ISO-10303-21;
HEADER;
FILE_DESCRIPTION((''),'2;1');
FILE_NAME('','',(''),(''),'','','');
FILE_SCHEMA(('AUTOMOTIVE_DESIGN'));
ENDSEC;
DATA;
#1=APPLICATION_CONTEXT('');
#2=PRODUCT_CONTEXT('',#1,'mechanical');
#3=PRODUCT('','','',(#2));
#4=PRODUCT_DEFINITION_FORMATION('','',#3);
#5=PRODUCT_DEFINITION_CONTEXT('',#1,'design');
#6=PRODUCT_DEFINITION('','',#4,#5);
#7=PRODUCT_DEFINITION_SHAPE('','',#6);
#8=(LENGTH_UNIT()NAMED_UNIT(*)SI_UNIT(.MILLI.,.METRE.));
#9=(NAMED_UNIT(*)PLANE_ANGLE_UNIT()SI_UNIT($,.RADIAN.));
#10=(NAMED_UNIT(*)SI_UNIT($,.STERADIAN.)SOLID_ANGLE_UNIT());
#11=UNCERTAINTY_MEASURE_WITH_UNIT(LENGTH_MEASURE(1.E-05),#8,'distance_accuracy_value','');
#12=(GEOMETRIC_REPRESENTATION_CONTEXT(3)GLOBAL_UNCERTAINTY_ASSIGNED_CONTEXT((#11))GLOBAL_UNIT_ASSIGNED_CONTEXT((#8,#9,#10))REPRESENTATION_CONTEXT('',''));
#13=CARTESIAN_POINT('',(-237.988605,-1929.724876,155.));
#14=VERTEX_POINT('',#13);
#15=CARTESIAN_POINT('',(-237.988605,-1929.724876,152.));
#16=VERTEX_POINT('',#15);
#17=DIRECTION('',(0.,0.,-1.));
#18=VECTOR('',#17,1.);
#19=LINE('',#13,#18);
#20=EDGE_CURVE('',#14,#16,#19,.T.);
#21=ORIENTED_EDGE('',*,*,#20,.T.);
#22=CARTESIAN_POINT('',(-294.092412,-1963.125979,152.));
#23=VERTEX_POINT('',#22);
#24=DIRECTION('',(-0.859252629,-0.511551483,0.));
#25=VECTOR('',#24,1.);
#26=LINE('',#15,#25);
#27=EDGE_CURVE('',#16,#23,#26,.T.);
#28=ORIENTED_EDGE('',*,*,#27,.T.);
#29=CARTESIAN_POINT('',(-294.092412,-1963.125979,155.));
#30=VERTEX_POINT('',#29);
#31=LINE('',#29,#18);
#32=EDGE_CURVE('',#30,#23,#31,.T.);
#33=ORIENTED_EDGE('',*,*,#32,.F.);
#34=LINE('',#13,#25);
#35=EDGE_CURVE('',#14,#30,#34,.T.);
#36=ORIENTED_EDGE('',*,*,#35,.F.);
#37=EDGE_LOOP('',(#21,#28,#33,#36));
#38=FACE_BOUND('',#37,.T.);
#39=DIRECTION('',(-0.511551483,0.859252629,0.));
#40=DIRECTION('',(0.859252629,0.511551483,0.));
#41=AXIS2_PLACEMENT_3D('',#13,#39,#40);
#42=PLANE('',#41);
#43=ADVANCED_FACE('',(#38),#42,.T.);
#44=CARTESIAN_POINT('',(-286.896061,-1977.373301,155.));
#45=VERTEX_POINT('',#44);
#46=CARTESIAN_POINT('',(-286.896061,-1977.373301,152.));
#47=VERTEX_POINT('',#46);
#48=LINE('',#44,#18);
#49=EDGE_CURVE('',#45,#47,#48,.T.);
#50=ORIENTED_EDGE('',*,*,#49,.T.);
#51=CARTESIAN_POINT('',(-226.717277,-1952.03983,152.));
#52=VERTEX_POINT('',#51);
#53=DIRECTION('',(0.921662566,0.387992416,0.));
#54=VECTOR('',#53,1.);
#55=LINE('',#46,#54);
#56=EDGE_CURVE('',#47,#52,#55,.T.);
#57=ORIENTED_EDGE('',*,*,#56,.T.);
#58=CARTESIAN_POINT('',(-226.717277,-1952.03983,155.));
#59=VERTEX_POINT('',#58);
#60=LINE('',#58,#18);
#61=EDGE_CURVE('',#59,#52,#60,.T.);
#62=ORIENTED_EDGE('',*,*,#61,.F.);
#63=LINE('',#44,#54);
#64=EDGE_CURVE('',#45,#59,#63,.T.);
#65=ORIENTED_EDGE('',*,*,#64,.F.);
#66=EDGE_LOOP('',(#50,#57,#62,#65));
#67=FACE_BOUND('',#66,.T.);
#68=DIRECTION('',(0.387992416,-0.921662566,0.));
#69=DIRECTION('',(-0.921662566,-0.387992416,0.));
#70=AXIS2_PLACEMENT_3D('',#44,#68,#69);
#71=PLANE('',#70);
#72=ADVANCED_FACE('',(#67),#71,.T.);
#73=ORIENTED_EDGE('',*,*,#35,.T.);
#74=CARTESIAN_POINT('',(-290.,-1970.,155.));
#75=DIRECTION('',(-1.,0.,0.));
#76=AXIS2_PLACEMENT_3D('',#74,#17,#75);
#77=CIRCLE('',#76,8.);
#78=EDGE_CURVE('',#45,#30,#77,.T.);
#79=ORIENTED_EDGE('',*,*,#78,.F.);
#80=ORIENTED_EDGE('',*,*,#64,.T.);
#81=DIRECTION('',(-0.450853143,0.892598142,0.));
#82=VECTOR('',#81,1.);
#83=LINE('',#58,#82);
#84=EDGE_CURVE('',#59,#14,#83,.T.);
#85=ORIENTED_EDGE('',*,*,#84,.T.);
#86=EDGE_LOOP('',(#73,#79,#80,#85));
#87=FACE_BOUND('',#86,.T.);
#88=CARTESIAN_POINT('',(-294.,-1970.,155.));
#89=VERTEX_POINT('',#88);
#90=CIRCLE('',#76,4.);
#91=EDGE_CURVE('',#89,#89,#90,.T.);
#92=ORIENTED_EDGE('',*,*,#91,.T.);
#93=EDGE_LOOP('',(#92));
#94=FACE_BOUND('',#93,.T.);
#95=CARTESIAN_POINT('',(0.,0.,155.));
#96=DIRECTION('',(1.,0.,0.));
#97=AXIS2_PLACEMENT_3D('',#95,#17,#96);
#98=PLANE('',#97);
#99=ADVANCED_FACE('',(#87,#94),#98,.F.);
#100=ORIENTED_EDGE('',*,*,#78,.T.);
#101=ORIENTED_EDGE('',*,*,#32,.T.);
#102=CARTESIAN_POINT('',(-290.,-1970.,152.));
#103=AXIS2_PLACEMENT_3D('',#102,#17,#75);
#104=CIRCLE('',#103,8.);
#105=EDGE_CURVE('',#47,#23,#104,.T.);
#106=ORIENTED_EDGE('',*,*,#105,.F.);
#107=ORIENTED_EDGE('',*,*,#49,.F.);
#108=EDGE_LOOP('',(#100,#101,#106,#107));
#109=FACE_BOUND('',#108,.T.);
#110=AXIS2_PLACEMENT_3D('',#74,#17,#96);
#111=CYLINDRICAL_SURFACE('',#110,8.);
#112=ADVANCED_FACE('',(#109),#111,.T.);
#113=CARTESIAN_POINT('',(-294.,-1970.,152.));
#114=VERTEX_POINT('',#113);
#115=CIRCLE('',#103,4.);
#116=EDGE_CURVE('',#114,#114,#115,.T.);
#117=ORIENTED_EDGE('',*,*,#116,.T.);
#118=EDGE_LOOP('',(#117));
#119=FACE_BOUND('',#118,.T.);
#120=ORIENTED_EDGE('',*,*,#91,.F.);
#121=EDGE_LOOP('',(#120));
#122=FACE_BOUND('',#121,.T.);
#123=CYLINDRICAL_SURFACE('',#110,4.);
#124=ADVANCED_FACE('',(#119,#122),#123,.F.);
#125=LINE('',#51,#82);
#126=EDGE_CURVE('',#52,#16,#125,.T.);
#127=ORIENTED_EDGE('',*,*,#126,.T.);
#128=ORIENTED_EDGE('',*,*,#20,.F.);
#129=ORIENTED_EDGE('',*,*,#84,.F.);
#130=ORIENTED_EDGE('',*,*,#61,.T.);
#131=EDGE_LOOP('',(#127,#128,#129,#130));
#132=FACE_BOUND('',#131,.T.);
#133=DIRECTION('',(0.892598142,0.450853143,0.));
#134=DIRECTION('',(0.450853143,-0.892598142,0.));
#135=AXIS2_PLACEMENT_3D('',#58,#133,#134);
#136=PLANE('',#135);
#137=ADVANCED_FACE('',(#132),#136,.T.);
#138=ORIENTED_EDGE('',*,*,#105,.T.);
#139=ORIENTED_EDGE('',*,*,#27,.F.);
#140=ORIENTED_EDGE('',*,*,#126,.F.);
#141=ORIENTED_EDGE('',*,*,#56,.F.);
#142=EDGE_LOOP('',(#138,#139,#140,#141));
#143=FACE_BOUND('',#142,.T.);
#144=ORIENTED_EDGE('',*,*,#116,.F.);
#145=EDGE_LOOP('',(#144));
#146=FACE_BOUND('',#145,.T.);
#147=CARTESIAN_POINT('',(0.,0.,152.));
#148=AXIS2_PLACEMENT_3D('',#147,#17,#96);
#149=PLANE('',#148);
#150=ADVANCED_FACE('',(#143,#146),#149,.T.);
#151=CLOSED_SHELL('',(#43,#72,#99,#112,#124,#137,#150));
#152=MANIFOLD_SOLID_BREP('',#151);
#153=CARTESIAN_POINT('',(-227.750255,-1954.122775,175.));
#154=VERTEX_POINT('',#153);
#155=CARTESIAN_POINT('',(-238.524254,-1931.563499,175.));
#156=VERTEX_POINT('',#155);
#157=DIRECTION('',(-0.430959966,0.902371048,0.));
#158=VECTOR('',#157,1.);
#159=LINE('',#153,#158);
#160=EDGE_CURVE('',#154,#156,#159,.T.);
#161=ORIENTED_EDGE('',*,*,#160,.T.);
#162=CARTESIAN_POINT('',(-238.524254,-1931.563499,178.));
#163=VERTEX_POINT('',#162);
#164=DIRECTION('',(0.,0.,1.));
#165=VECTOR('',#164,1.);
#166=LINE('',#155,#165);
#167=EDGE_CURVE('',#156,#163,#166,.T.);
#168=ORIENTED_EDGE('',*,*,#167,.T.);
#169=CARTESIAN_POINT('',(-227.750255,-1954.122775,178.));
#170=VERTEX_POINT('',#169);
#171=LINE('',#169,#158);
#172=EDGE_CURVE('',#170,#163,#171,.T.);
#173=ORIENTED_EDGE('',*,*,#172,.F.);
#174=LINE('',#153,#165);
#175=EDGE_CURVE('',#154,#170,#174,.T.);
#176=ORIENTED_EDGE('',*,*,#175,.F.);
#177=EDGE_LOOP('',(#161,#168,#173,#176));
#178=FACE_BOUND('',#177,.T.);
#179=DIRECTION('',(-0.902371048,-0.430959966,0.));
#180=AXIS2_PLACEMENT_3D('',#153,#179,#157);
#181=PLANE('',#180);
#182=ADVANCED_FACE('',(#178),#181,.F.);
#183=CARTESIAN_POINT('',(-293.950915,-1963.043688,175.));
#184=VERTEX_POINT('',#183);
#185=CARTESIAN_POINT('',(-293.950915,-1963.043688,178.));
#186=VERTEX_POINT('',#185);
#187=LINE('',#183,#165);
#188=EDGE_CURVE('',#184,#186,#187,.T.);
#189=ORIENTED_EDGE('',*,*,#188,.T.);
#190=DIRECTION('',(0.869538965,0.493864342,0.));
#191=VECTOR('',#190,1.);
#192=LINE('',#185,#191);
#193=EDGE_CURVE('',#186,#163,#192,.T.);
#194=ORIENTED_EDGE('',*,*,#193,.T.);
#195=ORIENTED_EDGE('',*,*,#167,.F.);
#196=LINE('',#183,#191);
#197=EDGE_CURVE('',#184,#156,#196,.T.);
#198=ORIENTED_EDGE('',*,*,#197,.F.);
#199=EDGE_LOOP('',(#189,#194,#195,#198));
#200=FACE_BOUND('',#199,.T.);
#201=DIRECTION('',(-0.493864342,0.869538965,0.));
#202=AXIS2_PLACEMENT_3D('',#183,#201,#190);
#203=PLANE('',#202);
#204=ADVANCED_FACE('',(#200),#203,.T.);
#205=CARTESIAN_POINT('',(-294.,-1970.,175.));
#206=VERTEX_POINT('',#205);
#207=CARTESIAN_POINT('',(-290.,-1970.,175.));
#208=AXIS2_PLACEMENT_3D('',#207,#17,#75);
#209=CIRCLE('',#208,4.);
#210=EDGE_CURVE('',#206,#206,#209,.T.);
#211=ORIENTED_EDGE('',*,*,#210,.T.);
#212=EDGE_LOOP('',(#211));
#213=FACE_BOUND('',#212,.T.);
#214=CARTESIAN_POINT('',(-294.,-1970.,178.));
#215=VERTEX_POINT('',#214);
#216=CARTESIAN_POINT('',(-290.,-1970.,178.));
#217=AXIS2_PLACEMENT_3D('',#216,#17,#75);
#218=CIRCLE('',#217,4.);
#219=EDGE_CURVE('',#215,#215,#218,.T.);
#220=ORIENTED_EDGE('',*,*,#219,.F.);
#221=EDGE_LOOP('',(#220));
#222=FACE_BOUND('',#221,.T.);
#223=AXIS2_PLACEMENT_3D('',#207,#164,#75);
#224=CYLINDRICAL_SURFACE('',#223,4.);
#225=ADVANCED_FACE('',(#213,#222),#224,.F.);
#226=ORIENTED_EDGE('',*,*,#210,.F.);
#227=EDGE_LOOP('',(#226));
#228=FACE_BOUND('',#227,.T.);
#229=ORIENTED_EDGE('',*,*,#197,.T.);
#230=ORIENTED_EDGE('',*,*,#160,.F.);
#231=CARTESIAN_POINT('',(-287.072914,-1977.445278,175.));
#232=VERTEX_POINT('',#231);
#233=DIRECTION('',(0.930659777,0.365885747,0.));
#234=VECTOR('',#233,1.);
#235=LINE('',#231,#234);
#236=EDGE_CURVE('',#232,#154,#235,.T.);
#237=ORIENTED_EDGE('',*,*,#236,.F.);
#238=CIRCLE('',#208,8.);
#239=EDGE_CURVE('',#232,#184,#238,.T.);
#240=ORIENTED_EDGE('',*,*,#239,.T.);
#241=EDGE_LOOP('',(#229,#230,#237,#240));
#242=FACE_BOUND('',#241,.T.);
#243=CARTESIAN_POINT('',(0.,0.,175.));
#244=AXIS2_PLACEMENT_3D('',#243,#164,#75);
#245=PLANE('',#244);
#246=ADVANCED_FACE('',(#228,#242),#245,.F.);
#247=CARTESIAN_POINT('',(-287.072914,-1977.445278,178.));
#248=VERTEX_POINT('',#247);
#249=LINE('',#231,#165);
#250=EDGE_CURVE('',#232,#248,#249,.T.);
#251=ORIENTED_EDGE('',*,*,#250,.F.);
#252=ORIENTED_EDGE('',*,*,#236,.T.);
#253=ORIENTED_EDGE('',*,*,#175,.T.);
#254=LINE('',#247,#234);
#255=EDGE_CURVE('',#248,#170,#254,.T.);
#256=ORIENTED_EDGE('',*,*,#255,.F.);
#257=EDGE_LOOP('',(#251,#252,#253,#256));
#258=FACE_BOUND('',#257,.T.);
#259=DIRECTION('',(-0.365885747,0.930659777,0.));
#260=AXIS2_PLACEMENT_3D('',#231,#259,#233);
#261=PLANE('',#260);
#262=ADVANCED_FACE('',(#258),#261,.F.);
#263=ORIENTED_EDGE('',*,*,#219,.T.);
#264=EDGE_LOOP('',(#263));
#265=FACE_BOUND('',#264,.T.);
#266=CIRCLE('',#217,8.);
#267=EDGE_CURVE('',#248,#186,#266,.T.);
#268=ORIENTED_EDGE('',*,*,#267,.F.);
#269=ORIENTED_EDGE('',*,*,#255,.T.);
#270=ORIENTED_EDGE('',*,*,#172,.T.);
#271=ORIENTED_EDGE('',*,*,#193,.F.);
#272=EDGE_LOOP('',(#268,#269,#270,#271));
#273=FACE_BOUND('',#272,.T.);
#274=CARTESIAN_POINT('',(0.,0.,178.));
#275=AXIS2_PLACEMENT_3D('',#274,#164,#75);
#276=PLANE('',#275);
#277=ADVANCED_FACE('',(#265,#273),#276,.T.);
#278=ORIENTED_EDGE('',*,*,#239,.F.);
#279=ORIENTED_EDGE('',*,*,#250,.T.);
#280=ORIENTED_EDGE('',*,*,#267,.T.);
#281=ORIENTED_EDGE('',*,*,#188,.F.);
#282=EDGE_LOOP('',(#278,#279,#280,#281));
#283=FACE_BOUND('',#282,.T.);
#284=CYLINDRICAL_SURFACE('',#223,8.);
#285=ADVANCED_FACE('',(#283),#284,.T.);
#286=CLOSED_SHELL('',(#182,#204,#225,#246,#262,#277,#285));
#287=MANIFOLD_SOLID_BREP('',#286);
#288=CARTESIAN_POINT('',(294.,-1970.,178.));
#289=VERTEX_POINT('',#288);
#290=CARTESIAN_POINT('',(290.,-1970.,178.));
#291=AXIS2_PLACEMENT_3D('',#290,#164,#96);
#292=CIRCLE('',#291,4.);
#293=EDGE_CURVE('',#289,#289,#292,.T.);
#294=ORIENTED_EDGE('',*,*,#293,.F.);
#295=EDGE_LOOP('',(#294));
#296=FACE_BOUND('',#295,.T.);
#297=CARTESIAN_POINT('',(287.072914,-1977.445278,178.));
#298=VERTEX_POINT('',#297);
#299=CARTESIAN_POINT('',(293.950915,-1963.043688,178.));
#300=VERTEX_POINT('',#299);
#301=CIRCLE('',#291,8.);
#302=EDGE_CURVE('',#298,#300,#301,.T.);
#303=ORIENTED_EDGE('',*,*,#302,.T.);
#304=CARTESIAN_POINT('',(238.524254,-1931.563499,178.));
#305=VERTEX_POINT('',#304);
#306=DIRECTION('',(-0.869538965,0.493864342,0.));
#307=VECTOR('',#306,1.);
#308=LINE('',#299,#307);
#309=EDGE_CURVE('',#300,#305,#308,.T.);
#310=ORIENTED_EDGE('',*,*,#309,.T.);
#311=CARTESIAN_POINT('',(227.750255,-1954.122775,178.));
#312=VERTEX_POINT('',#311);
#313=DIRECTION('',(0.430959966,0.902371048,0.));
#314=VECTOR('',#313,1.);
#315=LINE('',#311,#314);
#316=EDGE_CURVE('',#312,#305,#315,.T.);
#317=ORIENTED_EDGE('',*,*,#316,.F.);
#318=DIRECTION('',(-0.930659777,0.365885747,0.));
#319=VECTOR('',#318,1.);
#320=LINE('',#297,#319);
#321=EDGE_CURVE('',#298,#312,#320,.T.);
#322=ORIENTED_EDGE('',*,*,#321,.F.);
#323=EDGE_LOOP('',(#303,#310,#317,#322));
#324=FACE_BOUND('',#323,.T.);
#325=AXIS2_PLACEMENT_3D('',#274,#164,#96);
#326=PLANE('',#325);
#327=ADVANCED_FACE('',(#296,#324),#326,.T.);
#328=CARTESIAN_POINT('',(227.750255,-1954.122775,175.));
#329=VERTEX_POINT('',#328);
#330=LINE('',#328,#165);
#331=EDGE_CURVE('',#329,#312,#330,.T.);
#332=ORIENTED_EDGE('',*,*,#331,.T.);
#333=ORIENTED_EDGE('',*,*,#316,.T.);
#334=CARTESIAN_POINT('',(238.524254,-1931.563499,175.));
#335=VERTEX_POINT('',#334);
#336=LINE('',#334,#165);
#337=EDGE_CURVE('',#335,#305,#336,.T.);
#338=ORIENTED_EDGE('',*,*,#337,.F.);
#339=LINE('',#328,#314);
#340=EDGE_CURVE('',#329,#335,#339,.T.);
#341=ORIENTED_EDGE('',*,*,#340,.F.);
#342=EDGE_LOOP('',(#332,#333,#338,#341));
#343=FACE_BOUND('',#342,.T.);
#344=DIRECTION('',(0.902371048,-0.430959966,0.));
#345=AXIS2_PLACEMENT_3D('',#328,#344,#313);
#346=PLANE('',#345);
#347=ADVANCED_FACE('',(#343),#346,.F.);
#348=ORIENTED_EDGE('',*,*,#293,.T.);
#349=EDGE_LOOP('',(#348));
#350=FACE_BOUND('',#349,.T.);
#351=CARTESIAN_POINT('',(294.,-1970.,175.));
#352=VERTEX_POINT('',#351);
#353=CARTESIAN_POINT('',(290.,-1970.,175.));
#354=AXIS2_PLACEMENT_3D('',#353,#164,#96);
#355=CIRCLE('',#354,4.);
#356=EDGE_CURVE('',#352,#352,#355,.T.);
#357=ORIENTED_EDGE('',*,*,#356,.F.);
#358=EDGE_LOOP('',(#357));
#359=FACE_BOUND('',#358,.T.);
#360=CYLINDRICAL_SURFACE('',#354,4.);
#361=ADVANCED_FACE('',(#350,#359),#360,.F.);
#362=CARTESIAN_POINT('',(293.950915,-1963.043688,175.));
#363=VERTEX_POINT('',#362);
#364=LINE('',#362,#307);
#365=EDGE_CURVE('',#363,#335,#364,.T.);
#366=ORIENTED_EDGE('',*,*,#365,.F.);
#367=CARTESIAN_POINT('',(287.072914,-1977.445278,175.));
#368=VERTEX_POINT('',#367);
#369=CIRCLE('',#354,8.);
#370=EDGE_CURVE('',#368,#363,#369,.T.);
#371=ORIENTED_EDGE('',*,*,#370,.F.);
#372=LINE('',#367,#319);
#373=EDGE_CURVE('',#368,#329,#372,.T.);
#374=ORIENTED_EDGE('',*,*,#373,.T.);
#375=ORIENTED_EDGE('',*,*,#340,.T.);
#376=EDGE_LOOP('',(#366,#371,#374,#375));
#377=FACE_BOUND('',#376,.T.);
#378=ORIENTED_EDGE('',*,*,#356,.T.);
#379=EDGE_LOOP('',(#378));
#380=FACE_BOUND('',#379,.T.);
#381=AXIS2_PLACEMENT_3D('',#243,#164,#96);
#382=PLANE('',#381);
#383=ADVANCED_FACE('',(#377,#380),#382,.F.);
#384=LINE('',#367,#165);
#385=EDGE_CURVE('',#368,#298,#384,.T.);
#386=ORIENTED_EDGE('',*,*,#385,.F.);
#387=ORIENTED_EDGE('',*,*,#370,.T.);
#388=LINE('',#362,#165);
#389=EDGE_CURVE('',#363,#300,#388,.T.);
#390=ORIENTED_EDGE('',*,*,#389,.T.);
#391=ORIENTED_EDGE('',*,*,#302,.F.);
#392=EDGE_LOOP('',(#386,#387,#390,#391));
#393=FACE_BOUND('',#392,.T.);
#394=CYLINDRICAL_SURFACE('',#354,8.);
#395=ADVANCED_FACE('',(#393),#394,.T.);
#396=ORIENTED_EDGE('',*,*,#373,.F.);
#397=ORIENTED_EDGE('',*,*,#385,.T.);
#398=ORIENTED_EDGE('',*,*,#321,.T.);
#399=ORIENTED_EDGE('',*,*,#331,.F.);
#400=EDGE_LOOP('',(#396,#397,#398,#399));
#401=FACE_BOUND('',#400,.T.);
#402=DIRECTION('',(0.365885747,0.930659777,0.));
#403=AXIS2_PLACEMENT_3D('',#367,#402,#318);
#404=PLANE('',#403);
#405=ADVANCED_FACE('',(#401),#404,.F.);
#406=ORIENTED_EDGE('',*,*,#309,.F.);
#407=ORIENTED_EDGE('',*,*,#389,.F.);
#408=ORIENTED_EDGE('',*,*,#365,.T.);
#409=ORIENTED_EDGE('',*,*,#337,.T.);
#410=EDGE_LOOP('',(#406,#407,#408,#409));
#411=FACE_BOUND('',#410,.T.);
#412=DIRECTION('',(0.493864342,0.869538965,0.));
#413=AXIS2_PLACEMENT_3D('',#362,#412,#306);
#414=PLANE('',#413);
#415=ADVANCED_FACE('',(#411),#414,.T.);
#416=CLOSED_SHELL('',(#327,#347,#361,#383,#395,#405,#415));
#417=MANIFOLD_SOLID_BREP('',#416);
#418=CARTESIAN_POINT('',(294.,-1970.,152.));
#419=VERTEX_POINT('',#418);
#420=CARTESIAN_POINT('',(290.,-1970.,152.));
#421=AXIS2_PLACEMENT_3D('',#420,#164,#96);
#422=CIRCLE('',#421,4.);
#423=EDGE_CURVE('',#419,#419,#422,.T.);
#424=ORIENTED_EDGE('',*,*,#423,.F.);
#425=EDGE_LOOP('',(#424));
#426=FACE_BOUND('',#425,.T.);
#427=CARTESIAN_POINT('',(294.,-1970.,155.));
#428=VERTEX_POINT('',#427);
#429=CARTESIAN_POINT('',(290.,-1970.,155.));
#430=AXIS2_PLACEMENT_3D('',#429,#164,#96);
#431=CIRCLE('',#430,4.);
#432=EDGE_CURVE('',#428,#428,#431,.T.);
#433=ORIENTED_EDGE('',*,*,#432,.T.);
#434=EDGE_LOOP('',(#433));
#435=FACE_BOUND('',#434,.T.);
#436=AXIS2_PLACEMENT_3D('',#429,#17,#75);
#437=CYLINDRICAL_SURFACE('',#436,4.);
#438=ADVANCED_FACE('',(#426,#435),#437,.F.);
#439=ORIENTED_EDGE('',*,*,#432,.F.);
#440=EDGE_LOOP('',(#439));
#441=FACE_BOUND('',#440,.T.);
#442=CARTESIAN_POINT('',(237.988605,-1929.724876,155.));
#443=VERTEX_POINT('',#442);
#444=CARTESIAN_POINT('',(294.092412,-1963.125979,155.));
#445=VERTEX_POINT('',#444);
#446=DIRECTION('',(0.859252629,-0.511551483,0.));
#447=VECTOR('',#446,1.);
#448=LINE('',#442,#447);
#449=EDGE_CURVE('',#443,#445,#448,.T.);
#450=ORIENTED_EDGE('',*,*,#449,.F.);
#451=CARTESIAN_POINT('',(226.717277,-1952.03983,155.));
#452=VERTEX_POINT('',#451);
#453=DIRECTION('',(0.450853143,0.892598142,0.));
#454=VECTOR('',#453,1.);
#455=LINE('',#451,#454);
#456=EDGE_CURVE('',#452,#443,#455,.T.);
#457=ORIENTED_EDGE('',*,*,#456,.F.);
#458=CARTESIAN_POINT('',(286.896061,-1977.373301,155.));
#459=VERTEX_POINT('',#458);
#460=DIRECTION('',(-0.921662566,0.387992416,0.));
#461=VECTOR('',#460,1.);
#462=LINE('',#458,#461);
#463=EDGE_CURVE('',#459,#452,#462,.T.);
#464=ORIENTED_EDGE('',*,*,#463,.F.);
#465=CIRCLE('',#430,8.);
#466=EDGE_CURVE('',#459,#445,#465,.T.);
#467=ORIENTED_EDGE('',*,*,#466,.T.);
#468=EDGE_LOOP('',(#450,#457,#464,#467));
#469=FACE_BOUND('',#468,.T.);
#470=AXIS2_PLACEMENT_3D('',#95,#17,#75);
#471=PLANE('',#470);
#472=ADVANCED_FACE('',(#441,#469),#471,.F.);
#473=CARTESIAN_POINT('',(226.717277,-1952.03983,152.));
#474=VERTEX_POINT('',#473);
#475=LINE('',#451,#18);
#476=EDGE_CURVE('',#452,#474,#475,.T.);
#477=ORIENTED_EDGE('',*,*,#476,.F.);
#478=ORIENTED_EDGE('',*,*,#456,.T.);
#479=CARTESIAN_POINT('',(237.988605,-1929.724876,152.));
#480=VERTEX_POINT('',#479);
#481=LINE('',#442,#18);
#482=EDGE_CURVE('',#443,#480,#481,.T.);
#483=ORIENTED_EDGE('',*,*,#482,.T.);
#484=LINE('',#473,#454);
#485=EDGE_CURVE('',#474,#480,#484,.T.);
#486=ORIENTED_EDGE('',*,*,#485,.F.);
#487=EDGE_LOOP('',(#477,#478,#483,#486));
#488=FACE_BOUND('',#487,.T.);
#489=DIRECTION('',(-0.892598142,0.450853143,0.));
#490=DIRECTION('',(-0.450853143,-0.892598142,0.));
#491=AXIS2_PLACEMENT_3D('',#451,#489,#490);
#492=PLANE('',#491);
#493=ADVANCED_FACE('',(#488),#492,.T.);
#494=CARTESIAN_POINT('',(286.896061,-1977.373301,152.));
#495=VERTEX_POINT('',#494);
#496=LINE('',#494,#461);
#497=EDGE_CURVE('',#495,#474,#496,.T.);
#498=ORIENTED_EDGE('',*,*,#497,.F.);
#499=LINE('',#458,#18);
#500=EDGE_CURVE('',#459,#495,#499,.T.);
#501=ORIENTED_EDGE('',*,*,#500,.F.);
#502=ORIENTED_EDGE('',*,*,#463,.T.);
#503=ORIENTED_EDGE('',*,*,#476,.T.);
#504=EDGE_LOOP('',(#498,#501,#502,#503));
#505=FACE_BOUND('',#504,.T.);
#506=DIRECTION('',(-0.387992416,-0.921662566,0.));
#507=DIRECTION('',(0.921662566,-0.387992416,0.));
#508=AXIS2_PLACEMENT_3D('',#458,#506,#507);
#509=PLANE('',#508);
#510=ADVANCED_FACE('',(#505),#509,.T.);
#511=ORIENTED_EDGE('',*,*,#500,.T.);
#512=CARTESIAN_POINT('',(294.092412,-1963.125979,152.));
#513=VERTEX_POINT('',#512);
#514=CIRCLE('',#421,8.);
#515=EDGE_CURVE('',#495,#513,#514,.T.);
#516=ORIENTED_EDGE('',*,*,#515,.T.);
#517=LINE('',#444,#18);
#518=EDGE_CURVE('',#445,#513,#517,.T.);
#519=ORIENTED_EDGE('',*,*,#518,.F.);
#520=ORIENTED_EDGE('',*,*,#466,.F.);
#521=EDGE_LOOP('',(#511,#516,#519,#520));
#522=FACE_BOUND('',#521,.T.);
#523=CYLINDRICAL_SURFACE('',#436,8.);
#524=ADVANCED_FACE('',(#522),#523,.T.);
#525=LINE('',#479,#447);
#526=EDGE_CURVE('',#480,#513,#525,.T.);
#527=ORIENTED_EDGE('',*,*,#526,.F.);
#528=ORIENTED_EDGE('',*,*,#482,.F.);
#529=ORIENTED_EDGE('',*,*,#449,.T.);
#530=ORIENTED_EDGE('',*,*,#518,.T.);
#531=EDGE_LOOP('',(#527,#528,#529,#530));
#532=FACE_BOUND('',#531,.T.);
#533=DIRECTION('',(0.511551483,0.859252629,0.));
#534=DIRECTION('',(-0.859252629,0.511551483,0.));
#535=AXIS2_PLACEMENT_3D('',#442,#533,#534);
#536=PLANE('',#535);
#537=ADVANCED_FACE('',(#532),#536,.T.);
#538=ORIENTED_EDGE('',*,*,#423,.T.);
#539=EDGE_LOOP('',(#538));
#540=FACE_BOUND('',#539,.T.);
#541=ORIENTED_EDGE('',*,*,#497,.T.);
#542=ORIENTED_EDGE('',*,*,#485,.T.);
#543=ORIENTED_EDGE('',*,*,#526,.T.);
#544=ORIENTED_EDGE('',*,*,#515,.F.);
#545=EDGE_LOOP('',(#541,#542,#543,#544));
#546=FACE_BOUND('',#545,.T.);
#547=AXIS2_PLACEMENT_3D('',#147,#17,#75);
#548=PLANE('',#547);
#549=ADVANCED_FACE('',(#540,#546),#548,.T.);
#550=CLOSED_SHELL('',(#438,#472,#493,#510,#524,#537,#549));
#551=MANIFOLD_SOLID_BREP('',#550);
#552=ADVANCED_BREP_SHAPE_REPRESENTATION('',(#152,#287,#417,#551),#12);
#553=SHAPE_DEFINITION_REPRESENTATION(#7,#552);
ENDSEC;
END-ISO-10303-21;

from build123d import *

# Parameters (mm, degrees)
F_3DSKETCH1_R        = 4
BOSS_EXTRUDE_U_DEPTH = 3
BOSS_EXTRUDE_L_START = -3
F_3DSKETCH2_R        = 4
BOSS_EXTRUDE_L_DEPTH = 3


with BuildPart() as part:
    # 3DSketch1 → Boss-Extrude-U (new body)
    with BuildSketch(Plane(origin=(293.950914733, -1963.043688278, 175), x_dir=(-0.9910422724667208, 0.1335485461695409, -2.0318374546162863e-13), z_dir=(0, 0, -1))):
        with BuildLine():
            Line((0, 0), (59.134296826, 23.796048266))
            Line((59.134296826, 23.796048266), (66.799026887, 0))
            Line((66.799026887, 0), (4.893078056, -15.191131412))
            ThreePointArc((4.893078056, -15.191131412), (-4.628217248, -9.874351515), (0, 0))
        make_face()
        with Locations(Location((2.986518198, -7.421637896, 0), (0, 0, 172.32530228))):
            Circle(F_3DSKETCH1_R, mode=Mode.SUBTRACT)
    extrude(amount=-BOSS_EXTRUDE_U_DEPTH)


with BuildPart() as body_2:
    # 3DSketch2 → Boss-Extrude-L (new body)
    with BuildSketch(Plane(origin=(286.896060673, -1977.373300526, 155), x_dir=(-0.7162661408080038, 0.6978272103694504, 1.6259589829986966e-15), z_dir=(0, 0, 1)).offset(BOSS_EXTRUDE_L_START)):
        with BuildLine():
            Line((0, 0), (60.782410485, 23.848885443))
            Line((60.782410485, 23.848885443), (68.281121248, 0))
            Line((68.281121248, 0), (4.787665959, -15.226683706))
            ThreePointArc((4.787665959, -15.226683706), (-4.709600247, -9.846846279), (0, 0))
        make_face()
        with Locations(Location((2.922043094, -7.447258835, 0), (0, 0, 224.252939686))):
            Circle(F_3DSKETCH2_R, mode=Mode.SUBTRACT)
    extrude(amount=BOSS_EXTRUDE_L_DEPTH)


with BuildPart() as body_3:
    # Mirror1: mirrored copy
    add(part.part.mirror(Plane(origin=(0, 0, 0), x_dir=(0, 0, 1), z_dir=(1, 0, 0))))


with BuildPart() as body_4:
    # Mirror1 2: mirrored copy
    add(body_2.part.mirror(Plane(origin=(0, 0, 0), x_dir=(0, 0, 1), z_dir=(1, 0, 0))))


solid = Compound([part.part, body_2.part, body_3.part, body_4.part])
